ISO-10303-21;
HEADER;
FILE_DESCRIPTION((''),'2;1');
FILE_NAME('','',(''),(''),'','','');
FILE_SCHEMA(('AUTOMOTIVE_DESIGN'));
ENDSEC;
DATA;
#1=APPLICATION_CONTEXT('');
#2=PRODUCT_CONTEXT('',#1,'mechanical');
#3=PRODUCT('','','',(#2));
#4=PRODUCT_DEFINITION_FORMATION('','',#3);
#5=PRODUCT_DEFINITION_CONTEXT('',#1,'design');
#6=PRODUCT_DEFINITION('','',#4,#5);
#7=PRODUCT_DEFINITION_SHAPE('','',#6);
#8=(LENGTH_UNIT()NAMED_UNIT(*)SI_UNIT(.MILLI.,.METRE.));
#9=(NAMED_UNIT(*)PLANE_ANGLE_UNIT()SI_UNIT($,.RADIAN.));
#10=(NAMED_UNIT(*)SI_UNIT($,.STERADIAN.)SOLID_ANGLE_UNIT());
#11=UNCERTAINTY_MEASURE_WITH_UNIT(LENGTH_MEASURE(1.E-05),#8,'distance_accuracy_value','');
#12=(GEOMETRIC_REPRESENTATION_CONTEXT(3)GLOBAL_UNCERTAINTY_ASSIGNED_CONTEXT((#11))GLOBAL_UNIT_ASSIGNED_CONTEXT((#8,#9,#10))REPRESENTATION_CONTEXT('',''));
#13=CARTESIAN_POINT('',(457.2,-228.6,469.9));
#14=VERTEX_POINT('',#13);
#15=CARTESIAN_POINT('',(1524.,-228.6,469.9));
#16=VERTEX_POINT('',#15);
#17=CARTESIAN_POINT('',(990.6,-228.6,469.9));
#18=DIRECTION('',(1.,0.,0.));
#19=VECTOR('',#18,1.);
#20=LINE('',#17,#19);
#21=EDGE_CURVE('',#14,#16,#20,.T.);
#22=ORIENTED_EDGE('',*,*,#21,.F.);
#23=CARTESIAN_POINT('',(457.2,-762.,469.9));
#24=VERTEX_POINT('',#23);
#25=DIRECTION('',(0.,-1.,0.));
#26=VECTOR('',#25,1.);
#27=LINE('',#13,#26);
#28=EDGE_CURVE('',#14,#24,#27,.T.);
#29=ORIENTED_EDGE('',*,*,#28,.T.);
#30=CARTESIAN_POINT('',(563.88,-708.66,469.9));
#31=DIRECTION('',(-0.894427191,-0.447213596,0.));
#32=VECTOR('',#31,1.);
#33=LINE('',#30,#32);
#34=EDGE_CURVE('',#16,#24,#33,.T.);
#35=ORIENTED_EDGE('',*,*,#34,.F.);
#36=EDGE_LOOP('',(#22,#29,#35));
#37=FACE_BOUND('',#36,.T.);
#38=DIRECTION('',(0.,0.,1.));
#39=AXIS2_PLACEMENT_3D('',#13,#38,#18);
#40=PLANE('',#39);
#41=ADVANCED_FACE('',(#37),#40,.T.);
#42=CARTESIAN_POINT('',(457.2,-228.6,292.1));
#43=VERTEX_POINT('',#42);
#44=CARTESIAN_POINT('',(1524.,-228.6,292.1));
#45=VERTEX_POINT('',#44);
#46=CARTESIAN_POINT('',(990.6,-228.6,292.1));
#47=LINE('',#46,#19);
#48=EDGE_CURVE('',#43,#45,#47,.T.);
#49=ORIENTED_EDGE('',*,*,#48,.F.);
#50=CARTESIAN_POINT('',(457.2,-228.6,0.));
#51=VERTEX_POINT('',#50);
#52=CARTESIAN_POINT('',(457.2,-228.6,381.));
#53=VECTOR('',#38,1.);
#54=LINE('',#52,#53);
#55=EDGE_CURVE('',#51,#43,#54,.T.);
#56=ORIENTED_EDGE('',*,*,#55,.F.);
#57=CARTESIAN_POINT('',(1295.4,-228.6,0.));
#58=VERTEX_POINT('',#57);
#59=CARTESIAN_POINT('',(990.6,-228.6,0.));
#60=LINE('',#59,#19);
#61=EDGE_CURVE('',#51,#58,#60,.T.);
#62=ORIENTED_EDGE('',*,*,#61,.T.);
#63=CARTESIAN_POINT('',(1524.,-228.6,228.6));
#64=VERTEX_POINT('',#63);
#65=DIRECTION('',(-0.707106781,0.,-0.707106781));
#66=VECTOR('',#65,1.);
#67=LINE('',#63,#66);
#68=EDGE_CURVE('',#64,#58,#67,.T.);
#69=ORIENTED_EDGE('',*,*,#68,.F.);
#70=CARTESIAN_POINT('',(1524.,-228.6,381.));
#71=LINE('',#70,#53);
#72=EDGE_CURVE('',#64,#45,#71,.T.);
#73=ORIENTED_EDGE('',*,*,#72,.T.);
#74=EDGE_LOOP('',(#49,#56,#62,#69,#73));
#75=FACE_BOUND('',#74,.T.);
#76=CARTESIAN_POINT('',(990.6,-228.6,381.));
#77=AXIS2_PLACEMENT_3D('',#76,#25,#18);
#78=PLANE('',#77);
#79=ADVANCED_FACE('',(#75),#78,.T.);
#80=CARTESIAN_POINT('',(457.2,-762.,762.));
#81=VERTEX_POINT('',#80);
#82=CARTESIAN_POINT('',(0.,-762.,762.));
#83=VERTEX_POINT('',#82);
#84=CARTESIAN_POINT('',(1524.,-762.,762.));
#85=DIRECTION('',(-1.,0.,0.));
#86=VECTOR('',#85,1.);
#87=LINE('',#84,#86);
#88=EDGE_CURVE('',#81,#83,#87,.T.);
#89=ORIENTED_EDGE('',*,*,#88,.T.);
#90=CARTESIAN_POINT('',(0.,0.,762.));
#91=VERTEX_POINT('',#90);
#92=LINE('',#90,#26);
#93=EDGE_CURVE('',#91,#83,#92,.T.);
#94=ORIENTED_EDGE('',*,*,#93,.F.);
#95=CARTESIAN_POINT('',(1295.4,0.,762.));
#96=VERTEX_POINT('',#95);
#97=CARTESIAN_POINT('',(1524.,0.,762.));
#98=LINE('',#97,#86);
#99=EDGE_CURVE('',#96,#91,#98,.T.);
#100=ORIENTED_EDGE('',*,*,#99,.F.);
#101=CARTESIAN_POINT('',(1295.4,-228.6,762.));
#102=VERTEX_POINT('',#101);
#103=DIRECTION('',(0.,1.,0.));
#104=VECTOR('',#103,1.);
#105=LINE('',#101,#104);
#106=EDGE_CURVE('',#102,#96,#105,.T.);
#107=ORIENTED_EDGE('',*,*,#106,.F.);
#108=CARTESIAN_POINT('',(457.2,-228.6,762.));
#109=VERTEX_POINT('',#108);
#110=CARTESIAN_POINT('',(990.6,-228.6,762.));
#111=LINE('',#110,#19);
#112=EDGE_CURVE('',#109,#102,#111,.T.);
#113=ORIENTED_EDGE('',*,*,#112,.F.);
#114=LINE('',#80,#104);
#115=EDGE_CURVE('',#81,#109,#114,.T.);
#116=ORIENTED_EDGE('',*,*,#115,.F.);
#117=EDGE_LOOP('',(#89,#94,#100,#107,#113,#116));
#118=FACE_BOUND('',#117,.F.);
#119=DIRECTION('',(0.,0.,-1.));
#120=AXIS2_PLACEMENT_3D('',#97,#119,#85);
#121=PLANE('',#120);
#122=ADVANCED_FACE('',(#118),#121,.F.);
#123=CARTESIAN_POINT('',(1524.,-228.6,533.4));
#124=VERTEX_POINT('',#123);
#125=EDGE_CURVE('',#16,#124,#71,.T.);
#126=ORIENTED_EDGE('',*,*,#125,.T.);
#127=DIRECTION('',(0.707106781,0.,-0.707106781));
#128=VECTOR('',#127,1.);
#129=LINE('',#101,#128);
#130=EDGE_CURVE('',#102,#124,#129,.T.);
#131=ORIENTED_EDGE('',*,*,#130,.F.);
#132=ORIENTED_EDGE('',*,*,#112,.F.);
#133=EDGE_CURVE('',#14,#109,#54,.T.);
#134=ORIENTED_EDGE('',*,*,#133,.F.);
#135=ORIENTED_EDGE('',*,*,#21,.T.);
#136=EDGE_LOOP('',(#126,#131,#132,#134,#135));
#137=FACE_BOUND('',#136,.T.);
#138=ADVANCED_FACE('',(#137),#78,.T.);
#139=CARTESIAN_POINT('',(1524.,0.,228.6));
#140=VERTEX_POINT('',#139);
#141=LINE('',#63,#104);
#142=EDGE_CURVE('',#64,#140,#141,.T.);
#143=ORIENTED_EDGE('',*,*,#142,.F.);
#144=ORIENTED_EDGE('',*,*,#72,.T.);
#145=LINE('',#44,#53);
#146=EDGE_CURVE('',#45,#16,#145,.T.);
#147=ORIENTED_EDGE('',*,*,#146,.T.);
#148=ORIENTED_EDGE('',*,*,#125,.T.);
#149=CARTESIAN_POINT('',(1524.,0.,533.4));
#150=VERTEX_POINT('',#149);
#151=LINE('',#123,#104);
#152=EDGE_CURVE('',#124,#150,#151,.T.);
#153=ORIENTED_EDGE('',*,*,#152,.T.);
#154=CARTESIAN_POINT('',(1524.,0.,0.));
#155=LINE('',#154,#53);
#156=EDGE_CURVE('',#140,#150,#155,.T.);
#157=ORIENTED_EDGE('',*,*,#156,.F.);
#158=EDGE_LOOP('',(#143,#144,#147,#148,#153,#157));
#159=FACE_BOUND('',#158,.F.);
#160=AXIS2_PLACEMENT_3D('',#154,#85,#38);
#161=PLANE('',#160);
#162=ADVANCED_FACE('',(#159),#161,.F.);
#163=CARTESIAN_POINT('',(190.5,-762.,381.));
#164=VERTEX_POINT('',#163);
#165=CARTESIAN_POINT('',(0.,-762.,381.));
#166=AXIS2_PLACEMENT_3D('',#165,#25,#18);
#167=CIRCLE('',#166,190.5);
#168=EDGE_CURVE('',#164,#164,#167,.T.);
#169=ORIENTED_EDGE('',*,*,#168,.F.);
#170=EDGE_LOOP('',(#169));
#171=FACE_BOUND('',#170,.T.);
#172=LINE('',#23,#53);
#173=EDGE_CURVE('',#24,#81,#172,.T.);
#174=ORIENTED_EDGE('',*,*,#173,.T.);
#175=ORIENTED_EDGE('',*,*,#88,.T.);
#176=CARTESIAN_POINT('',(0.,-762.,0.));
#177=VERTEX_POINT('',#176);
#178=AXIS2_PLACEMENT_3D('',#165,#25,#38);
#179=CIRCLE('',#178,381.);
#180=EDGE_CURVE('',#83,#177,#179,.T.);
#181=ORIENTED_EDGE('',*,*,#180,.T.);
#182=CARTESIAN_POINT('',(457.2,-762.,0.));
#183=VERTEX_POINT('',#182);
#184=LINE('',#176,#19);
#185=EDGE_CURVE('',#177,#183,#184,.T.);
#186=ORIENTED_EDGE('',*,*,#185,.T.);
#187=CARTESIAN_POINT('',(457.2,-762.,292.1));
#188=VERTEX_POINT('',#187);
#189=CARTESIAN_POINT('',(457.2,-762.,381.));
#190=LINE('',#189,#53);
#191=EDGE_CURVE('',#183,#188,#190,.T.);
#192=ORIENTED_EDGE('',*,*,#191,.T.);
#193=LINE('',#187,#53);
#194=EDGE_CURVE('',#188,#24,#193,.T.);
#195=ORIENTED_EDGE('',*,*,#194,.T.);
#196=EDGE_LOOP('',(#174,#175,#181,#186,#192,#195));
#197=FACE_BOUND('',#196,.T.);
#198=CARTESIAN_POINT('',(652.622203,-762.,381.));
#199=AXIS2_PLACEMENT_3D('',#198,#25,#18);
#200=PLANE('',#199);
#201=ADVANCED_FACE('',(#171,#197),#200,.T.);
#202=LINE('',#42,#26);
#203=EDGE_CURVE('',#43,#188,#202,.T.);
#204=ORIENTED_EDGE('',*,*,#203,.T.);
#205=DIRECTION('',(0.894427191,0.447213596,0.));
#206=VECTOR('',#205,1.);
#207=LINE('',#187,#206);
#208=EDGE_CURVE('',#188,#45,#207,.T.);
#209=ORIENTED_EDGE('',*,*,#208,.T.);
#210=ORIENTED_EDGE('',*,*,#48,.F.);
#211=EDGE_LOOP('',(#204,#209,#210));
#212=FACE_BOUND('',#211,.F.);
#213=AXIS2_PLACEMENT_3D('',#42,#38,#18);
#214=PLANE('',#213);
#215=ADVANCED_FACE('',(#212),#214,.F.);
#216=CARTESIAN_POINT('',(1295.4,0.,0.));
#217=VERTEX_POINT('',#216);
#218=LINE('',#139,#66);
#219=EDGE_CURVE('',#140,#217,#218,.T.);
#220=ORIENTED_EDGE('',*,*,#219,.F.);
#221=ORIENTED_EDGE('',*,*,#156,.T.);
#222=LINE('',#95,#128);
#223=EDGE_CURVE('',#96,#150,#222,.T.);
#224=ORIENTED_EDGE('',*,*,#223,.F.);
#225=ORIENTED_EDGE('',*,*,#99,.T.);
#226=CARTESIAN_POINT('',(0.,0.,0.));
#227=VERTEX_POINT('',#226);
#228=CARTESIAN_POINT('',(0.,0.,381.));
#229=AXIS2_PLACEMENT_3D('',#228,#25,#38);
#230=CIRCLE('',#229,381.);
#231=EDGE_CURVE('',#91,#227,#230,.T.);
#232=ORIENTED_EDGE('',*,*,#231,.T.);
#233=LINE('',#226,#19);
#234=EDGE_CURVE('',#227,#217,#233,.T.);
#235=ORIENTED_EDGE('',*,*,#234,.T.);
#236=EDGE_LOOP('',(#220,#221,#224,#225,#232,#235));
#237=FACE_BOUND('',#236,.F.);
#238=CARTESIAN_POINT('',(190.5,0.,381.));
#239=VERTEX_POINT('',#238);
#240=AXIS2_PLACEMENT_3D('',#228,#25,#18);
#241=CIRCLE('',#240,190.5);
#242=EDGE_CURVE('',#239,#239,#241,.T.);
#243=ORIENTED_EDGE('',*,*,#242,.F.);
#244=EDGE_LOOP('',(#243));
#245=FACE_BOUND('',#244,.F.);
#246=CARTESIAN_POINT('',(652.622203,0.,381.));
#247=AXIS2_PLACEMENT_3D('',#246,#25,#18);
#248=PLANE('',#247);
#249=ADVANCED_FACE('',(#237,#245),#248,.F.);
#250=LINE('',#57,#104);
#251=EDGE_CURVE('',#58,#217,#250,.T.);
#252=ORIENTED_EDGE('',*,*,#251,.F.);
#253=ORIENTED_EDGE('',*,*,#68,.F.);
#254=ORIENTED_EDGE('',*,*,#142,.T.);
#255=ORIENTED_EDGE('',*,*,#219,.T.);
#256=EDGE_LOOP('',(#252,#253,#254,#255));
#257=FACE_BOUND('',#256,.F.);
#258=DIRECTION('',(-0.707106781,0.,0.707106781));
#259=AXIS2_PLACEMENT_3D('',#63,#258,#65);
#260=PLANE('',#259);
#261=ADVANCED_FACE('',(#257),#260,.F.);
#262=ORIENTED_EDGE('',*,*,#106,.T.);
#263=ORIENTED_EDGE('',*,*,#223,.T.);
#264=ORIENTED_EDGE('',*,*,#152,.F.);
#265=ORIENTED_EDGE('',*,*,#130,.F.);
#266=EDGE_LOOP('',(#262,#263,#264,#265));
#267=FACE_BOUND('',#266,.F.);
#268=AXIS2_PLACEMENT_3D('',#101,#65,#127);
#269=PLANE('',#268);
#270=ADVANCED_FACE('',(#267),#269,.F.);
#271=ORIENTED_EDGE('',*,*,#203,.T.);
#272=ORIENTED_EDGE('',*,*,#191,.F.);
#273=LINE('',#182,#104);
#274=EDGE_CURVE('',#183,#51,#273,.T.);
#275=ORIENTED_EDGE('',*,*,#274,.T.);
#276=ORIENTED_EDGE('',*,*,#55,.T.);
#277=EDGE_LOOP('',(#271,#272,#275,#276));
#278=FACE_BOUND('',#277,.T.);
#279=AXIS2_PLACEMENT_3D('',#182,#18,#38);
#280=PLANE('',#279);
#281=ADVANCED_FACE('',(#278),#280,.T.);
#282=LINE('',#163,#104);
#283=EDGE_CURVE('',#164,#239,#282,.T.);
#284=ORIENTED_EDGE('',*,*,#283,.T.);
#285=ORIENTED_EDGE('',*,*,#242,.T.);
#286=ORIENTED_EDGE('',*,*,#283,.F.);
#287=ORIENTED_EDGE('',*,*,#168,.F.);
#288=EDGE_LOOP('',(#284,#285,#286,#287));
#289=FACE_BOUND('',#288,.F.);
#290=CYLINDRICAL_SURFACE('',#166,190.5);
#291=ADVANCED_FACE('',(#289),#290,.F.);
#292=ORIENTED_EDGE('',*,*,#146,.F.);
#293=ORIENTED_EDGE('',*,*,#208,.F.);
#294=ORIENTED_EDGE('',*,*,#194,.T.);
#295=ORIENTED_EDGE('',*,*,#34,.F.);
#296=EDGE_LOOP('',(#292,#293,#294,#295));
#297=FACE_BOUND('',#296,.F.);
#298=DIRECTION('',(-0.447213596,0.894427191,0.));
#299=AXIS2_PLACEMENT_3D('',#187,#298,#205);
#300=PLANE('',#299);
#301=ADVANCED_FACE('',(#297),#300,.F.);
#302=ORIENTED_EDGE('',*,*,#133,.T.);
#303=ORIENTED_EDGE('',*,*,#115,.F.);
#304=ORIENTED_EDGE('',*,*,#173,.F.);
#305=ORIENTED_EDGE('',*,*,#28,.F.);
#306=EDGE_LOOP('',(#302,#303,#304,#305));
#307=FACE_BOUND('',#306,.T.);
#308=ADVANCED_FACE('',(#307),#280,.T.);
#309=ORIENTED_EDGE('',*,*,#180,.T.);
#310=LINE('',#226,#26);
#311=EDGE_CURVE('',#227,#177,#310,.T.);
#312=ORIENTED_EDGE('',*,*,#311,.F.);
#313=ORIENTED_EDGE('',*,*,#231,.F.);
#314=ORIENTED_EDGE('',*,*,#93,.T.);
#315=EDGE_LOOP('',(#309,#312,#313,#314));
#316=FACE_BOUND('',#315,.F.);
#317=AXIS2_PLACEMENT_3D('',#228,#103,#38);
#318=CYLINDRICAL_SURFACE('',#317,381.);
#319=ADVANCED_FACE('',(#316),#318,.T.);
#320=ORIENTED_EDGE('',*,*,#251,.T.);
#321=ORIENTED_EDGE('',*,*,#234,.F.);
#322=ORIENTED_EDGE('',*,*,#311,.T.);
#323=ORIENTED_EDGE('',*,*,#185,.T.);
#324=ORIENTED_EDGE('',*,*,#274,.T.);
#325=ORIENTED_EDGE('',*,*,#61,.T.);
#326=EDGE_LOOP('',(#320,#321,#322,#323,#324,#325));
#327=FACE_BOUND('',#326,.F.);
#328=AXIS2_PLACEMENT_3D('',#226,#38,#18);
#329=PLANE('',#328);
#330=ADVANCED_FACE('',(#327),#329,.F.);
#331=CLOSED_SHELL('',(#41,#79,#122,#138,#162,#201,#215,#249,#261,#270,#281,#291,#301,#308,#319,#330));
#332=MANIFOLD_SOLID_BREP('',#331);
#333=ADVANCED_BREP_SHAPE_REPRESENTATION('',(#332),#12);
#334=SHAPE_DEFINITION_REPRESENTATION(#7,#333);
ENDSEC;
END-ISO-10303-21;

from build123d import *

# Parameters (mm, degrees)
F1_DEPTH  = 762
F2_W      = 1066.8
F2_H      = 762
F3_DEPTH  = 533.4
F5_DEPTH  = 228.6
F6_W      = 1066.8
F6_H      = 177.8
F7_DEPTH  = 533.4
F9_DEPTH  = 254
F10_R     = 190.5
F11_DEPTH = 762


with BuildPart() as f1:
    # F0 (on Front) → F1 (new body)
    with BuildSketch(Plane.XZ):
        with BuildLine():
            Line((1524, 762), (0, 762))
            ThreePointArc((0, 762), (-381, 381), (0, 0))
            Line((0, 0), (1524, 0))
            Line((1524, 0), (1524, 762))
        make_face()
    extrude(amount=F1_DEPTH)

    # F2 (on face) → F3 (cut)
    with BuildSketch(Plane.XZ.offset(762)):
        with Locations((990.6, 381)):
            Rectangle(F2_W, F2_H)
    extrude(amount=-F3_DEPTH, mode=Mode.SUBTRACT)

    # F4 (on face) → F5 (cut)
    with BuildSketch(Plane.XZ.offset(228.6)):
        Polygon((1295.4, 0), (1524, 0), (1524, 228.6), align=None)
        Polygon((1295.4, 762), (1524, 533.4), (1524, 762), align=None)
    extrude(amount=-F5_DEPTH, mode=Mode.SUBTRACT)

    # F6 (on face) → F7 (join)
    with BuildSketch(Plane.XZ.offset(228.6)):
        with Locations((990.6, 381)):
            Rectangle(F6_W, F6_H)
    extrude(amount=F7_DEPTH)

    # F8 (on face) → F9 (cut)
    with BuildSketch(Plane(origin=(0, 0, 292.1), x_dir=(1, 0, 0), z_dir=(0, 0, -1))):
        Polygon((1524, 762), (457.2, 762), (1524, 228.6), align=None)
    extrude(amount=-F9_DEPTH, mode=Mode.SUBTRACT)

    # F10 (on face) → F11 (cut)
    with BuildSketch(Plane.XZ.offset(762)):
        with Locations((0, 381)):
            Circle(F10_R)
    extrude(amount=-F11_DEPTH, mode=Mode.SUBTRACT)


solid = f1.part
